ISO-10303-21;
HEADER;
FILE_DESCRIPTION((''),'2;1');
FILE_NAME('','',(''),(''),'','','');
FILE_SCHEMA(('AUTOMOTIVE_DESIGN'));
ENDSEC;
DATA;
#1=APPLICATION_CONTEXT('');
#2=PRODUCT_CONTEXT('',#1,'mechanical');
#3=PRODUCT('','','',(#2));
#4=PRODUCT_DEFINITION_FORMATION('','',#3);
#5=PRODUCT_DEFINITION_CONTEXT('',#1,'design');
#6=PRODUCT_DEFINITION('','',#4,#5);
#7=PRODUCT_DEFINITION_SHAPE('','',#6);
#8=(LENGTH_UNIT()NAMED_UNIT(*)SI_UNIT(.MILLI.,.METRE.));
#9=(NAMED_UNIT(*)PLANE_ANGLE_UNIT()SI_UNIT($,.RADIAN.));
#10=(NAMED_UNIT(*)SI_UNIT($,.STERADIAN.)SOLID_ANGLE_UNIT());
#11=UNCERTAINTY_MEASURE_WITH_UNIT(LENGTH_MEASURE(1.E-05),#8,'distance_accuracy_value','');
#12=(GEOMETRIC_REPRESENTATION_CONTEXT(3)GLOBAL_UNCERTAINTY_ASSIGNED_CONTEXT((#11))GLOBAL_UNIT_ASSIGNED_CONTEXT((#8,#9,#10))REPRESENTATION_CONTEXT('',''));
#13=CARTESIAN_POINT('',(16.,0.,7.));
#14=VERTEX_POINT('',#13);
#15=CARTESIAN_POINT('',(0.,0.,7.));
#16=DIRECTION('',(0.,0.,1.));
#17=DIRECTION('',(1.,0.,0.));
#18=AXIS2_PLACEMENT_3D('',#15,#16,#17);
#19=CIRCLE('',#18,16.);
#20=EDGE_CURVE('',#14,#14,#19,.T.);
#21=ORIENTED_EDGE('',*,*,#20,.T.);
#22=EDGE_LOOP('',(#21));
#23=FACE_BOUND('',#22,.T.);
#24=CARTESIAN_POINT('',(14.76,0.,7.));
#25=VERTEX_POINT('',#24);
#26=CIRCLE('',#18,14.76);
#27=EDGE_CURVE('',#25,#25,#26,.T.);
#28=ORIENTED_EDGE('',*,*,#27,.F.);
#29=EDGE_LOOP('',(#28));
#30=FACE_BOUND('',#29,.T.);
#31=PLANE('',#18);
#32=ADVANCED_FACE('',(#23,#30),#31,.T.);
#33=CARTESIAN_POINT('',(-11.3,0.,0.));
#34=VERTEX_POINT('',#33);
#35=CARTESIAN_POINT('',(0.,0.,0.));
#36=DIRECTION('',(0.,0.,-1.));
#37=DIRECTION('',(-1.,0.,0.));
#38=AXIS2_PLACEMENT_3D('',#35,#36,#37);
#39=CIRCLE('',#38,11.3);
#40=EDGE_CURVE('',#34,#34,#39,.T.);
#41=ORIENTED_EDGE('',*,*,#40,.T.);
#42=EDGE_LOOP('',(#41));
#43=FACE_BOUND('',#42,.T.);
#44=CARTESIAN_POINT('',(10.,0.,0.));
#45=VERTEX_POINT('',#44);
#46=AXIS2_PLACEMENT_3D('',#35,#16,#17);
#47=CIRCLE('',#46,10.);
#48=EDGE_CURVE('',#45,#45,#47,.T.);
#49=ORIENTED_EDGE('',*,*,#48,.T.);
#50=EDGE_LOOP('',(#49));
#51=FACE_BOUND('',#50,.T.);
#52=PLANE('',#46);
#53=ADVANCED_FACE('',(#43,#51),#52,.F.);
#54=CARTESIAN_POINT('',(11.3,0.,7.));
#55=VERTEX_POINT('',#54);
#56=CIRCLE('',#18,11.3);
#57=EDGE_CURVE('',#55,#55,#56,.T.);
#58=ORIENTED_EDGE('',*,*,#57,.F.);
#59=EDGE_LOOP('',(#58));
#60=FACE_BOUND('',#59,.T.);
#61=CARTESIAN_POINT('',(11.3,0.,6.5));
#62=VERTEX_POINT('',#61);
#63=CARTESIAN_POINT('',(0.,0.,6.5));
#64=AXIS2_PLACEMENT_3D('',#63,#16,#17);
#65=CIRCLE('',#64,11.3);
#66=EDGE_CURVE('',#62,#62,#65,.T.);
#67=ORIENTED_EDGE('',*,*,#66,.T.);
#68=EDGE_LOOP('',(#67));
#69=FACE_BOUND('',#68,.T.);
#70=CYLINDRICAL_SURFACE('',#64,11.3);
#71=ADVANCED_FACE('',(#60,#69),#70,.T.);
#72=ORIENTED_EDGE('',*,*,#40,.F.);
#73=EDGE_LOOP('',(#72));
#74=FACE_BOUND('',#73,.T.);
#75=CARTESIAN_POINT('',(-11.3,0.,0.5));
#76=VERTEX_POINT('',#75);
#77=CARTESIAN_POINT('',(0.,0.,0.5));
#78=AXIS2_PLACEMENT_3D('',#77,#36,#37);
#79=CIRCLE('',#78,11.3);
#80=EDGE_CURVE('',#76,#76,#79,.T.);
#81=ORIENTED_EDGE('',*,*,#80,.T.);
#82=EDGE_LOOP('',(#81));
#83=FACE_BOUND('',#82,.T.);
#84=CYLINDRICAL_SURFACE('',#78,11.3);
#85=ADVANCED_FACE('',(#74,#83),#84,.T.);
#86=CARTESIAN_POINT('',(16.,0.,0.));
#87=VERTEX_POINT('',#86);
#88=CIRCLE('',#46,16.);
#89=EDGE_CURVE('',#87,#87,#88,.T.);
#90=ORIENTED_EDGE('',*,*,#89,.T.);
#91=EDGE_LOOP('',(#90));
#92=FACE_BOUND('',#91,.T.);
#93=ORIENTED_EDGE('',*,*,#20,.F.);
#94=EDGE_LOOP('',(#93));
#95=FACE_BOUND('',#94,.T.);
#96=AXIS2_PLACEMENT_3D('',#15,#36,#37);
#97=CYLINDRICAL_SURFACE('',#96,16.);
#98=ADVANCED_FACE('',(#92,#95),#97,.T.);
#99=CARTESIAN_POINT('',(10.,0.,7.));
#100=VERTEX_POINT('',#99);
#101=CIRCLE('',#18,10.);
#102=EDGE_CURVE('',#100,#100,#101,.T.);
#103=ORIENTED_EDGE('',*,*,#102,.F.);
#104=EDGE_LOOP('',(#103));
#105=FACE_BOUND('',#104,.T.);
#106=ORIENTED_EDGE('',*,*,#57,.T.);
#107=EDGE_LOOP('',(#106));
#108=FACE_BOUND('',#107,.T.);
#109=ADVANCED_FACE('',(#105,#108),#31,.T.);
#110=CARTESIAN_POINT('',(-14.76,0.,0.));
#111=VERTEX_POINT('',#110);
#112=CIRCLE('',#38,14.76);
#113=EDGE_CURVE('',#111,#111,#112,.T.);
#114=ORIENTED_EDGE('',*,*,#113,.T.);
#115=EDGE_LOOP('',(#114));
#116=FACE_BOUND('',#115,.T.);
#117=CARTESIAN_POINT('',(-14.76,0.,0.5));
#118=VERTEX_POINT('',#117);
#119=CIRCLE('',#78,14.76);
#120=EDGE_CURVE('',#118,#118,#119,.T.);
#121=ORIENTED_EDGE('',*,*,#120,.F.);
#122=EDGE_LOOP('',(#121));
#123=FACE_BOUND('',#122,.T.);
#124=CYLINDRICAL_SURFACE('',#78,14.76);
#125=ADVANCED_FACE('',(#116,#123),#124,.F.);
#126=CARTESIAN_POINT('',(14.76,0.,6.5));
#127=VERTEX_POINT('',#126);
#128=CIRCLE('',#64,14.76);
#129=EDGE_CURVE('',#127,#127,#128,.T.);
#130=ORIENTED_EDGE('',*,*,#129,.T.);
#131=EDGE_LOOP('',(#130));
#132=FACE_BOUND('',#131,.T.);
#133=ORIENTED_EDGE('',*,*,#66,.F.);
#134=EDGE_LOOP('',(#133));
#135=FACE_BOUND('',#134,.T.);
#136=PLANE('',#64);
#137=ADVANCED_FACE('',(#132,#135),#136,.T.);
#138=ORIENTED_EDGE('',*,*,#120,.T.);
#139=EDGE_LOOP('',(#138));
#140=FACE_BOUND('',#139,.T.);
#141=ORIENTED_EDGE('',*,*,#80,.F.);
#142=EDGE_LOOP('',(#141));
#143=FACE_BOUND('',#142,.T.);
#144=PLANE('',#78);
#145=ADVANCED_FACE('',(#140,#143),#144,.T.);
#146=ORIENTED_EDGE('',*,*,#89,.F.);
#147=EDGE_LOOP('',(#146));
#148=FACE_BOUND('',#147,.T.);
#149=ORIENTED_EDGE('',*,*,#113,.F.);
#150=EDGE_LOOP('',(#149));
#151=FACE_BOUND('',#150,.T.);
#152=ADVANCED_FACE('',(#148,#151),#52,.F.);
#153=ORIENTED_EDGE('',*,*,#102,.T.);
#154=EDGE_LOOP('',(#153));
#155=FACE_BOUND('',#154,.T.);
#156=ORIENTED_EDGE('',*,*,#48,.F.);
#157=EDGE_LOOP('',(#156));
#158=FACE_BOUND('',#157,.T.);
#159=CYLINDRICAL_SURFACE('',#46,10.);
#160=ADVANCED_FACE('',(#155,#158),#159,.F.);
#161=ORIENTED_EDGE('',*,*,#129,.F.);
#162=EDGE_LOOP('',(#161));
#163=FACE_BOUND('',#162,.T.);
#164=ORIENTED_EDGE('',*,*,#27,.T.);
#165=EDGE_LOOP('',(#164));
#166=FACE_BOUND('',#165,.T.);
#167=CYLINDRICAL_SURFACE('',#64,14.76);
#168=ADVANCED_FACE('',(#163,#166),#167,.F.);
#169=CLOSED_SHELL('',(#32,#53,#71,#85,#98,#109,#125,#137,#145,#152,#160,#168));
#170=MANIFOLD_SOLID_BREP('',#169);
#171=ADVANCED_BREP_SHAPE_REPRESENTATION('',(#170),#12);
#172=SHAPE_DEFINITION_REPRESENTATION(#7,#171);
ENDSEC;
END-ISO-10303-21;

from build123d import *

# Parameters (mm, degrees)
SKETCH_1_R          = 16
EXTRUDE_1_DEPTH     = 7
SKETCH_2_R          = 10
CUT_EXTRUDE_1_DEPTH = 8
SKETCH_3_R          = 14.76
SKETCH_3_R_2        = 11.3
CUT_EXTRUDE_2_DEPTH = 0.5
SKETCH_4_R          = 14.76
SKETCH_4_R_2        = 11.3
CUT_EXTRUDE_3_DEPTH = 0.5


with BuildPart() as part:
    # 草圖1 → 填料-伸長1 (new body)
    with BuildSketch(Plane.XY):
        Circle(SKETCH_1_R)
    extrude(amount=EXTRUDE_1_DEPTH)

    # 草圖2 → 除料-伸長1 (cut, through all)
    with BuildSketch(Plane.XY.offset(7)):
        Circle(SKETCH_2_R)
    extrude(amount=-CUT_EXTRUDE_1_DEPTH, mode=Mode.SUBTRACT)

    # 草圖3 → 除料-伸長2 (cut)
    with BuildSketch(Plane.XY.offset(7)):
        Circle(SKETCH_3_R)
        Circle(SKETCH_3_R_2, mode=Mode.SUBTRACT)
    extrude(amount=-CUT_EXTRUDE_2_DEPTH, mode=Mode.SUBTRACT)

    # 草圖4 → 除料-伸長3 (cut)
    with BuildSketch(Plane(origin=(0, 0, 0), x_dir=(-1, 0, 0), z_dir=(0, 0, -1))):
        Circle(SKETCH_4_R)
        Circle(SKETCH_4_R_2, mode=Mode.SUBTRACT)
    extrude(amount=-CUT_EXTRUDE_3_DEPTH, mode=Mode.SUBTRACT)


solid = part.part
